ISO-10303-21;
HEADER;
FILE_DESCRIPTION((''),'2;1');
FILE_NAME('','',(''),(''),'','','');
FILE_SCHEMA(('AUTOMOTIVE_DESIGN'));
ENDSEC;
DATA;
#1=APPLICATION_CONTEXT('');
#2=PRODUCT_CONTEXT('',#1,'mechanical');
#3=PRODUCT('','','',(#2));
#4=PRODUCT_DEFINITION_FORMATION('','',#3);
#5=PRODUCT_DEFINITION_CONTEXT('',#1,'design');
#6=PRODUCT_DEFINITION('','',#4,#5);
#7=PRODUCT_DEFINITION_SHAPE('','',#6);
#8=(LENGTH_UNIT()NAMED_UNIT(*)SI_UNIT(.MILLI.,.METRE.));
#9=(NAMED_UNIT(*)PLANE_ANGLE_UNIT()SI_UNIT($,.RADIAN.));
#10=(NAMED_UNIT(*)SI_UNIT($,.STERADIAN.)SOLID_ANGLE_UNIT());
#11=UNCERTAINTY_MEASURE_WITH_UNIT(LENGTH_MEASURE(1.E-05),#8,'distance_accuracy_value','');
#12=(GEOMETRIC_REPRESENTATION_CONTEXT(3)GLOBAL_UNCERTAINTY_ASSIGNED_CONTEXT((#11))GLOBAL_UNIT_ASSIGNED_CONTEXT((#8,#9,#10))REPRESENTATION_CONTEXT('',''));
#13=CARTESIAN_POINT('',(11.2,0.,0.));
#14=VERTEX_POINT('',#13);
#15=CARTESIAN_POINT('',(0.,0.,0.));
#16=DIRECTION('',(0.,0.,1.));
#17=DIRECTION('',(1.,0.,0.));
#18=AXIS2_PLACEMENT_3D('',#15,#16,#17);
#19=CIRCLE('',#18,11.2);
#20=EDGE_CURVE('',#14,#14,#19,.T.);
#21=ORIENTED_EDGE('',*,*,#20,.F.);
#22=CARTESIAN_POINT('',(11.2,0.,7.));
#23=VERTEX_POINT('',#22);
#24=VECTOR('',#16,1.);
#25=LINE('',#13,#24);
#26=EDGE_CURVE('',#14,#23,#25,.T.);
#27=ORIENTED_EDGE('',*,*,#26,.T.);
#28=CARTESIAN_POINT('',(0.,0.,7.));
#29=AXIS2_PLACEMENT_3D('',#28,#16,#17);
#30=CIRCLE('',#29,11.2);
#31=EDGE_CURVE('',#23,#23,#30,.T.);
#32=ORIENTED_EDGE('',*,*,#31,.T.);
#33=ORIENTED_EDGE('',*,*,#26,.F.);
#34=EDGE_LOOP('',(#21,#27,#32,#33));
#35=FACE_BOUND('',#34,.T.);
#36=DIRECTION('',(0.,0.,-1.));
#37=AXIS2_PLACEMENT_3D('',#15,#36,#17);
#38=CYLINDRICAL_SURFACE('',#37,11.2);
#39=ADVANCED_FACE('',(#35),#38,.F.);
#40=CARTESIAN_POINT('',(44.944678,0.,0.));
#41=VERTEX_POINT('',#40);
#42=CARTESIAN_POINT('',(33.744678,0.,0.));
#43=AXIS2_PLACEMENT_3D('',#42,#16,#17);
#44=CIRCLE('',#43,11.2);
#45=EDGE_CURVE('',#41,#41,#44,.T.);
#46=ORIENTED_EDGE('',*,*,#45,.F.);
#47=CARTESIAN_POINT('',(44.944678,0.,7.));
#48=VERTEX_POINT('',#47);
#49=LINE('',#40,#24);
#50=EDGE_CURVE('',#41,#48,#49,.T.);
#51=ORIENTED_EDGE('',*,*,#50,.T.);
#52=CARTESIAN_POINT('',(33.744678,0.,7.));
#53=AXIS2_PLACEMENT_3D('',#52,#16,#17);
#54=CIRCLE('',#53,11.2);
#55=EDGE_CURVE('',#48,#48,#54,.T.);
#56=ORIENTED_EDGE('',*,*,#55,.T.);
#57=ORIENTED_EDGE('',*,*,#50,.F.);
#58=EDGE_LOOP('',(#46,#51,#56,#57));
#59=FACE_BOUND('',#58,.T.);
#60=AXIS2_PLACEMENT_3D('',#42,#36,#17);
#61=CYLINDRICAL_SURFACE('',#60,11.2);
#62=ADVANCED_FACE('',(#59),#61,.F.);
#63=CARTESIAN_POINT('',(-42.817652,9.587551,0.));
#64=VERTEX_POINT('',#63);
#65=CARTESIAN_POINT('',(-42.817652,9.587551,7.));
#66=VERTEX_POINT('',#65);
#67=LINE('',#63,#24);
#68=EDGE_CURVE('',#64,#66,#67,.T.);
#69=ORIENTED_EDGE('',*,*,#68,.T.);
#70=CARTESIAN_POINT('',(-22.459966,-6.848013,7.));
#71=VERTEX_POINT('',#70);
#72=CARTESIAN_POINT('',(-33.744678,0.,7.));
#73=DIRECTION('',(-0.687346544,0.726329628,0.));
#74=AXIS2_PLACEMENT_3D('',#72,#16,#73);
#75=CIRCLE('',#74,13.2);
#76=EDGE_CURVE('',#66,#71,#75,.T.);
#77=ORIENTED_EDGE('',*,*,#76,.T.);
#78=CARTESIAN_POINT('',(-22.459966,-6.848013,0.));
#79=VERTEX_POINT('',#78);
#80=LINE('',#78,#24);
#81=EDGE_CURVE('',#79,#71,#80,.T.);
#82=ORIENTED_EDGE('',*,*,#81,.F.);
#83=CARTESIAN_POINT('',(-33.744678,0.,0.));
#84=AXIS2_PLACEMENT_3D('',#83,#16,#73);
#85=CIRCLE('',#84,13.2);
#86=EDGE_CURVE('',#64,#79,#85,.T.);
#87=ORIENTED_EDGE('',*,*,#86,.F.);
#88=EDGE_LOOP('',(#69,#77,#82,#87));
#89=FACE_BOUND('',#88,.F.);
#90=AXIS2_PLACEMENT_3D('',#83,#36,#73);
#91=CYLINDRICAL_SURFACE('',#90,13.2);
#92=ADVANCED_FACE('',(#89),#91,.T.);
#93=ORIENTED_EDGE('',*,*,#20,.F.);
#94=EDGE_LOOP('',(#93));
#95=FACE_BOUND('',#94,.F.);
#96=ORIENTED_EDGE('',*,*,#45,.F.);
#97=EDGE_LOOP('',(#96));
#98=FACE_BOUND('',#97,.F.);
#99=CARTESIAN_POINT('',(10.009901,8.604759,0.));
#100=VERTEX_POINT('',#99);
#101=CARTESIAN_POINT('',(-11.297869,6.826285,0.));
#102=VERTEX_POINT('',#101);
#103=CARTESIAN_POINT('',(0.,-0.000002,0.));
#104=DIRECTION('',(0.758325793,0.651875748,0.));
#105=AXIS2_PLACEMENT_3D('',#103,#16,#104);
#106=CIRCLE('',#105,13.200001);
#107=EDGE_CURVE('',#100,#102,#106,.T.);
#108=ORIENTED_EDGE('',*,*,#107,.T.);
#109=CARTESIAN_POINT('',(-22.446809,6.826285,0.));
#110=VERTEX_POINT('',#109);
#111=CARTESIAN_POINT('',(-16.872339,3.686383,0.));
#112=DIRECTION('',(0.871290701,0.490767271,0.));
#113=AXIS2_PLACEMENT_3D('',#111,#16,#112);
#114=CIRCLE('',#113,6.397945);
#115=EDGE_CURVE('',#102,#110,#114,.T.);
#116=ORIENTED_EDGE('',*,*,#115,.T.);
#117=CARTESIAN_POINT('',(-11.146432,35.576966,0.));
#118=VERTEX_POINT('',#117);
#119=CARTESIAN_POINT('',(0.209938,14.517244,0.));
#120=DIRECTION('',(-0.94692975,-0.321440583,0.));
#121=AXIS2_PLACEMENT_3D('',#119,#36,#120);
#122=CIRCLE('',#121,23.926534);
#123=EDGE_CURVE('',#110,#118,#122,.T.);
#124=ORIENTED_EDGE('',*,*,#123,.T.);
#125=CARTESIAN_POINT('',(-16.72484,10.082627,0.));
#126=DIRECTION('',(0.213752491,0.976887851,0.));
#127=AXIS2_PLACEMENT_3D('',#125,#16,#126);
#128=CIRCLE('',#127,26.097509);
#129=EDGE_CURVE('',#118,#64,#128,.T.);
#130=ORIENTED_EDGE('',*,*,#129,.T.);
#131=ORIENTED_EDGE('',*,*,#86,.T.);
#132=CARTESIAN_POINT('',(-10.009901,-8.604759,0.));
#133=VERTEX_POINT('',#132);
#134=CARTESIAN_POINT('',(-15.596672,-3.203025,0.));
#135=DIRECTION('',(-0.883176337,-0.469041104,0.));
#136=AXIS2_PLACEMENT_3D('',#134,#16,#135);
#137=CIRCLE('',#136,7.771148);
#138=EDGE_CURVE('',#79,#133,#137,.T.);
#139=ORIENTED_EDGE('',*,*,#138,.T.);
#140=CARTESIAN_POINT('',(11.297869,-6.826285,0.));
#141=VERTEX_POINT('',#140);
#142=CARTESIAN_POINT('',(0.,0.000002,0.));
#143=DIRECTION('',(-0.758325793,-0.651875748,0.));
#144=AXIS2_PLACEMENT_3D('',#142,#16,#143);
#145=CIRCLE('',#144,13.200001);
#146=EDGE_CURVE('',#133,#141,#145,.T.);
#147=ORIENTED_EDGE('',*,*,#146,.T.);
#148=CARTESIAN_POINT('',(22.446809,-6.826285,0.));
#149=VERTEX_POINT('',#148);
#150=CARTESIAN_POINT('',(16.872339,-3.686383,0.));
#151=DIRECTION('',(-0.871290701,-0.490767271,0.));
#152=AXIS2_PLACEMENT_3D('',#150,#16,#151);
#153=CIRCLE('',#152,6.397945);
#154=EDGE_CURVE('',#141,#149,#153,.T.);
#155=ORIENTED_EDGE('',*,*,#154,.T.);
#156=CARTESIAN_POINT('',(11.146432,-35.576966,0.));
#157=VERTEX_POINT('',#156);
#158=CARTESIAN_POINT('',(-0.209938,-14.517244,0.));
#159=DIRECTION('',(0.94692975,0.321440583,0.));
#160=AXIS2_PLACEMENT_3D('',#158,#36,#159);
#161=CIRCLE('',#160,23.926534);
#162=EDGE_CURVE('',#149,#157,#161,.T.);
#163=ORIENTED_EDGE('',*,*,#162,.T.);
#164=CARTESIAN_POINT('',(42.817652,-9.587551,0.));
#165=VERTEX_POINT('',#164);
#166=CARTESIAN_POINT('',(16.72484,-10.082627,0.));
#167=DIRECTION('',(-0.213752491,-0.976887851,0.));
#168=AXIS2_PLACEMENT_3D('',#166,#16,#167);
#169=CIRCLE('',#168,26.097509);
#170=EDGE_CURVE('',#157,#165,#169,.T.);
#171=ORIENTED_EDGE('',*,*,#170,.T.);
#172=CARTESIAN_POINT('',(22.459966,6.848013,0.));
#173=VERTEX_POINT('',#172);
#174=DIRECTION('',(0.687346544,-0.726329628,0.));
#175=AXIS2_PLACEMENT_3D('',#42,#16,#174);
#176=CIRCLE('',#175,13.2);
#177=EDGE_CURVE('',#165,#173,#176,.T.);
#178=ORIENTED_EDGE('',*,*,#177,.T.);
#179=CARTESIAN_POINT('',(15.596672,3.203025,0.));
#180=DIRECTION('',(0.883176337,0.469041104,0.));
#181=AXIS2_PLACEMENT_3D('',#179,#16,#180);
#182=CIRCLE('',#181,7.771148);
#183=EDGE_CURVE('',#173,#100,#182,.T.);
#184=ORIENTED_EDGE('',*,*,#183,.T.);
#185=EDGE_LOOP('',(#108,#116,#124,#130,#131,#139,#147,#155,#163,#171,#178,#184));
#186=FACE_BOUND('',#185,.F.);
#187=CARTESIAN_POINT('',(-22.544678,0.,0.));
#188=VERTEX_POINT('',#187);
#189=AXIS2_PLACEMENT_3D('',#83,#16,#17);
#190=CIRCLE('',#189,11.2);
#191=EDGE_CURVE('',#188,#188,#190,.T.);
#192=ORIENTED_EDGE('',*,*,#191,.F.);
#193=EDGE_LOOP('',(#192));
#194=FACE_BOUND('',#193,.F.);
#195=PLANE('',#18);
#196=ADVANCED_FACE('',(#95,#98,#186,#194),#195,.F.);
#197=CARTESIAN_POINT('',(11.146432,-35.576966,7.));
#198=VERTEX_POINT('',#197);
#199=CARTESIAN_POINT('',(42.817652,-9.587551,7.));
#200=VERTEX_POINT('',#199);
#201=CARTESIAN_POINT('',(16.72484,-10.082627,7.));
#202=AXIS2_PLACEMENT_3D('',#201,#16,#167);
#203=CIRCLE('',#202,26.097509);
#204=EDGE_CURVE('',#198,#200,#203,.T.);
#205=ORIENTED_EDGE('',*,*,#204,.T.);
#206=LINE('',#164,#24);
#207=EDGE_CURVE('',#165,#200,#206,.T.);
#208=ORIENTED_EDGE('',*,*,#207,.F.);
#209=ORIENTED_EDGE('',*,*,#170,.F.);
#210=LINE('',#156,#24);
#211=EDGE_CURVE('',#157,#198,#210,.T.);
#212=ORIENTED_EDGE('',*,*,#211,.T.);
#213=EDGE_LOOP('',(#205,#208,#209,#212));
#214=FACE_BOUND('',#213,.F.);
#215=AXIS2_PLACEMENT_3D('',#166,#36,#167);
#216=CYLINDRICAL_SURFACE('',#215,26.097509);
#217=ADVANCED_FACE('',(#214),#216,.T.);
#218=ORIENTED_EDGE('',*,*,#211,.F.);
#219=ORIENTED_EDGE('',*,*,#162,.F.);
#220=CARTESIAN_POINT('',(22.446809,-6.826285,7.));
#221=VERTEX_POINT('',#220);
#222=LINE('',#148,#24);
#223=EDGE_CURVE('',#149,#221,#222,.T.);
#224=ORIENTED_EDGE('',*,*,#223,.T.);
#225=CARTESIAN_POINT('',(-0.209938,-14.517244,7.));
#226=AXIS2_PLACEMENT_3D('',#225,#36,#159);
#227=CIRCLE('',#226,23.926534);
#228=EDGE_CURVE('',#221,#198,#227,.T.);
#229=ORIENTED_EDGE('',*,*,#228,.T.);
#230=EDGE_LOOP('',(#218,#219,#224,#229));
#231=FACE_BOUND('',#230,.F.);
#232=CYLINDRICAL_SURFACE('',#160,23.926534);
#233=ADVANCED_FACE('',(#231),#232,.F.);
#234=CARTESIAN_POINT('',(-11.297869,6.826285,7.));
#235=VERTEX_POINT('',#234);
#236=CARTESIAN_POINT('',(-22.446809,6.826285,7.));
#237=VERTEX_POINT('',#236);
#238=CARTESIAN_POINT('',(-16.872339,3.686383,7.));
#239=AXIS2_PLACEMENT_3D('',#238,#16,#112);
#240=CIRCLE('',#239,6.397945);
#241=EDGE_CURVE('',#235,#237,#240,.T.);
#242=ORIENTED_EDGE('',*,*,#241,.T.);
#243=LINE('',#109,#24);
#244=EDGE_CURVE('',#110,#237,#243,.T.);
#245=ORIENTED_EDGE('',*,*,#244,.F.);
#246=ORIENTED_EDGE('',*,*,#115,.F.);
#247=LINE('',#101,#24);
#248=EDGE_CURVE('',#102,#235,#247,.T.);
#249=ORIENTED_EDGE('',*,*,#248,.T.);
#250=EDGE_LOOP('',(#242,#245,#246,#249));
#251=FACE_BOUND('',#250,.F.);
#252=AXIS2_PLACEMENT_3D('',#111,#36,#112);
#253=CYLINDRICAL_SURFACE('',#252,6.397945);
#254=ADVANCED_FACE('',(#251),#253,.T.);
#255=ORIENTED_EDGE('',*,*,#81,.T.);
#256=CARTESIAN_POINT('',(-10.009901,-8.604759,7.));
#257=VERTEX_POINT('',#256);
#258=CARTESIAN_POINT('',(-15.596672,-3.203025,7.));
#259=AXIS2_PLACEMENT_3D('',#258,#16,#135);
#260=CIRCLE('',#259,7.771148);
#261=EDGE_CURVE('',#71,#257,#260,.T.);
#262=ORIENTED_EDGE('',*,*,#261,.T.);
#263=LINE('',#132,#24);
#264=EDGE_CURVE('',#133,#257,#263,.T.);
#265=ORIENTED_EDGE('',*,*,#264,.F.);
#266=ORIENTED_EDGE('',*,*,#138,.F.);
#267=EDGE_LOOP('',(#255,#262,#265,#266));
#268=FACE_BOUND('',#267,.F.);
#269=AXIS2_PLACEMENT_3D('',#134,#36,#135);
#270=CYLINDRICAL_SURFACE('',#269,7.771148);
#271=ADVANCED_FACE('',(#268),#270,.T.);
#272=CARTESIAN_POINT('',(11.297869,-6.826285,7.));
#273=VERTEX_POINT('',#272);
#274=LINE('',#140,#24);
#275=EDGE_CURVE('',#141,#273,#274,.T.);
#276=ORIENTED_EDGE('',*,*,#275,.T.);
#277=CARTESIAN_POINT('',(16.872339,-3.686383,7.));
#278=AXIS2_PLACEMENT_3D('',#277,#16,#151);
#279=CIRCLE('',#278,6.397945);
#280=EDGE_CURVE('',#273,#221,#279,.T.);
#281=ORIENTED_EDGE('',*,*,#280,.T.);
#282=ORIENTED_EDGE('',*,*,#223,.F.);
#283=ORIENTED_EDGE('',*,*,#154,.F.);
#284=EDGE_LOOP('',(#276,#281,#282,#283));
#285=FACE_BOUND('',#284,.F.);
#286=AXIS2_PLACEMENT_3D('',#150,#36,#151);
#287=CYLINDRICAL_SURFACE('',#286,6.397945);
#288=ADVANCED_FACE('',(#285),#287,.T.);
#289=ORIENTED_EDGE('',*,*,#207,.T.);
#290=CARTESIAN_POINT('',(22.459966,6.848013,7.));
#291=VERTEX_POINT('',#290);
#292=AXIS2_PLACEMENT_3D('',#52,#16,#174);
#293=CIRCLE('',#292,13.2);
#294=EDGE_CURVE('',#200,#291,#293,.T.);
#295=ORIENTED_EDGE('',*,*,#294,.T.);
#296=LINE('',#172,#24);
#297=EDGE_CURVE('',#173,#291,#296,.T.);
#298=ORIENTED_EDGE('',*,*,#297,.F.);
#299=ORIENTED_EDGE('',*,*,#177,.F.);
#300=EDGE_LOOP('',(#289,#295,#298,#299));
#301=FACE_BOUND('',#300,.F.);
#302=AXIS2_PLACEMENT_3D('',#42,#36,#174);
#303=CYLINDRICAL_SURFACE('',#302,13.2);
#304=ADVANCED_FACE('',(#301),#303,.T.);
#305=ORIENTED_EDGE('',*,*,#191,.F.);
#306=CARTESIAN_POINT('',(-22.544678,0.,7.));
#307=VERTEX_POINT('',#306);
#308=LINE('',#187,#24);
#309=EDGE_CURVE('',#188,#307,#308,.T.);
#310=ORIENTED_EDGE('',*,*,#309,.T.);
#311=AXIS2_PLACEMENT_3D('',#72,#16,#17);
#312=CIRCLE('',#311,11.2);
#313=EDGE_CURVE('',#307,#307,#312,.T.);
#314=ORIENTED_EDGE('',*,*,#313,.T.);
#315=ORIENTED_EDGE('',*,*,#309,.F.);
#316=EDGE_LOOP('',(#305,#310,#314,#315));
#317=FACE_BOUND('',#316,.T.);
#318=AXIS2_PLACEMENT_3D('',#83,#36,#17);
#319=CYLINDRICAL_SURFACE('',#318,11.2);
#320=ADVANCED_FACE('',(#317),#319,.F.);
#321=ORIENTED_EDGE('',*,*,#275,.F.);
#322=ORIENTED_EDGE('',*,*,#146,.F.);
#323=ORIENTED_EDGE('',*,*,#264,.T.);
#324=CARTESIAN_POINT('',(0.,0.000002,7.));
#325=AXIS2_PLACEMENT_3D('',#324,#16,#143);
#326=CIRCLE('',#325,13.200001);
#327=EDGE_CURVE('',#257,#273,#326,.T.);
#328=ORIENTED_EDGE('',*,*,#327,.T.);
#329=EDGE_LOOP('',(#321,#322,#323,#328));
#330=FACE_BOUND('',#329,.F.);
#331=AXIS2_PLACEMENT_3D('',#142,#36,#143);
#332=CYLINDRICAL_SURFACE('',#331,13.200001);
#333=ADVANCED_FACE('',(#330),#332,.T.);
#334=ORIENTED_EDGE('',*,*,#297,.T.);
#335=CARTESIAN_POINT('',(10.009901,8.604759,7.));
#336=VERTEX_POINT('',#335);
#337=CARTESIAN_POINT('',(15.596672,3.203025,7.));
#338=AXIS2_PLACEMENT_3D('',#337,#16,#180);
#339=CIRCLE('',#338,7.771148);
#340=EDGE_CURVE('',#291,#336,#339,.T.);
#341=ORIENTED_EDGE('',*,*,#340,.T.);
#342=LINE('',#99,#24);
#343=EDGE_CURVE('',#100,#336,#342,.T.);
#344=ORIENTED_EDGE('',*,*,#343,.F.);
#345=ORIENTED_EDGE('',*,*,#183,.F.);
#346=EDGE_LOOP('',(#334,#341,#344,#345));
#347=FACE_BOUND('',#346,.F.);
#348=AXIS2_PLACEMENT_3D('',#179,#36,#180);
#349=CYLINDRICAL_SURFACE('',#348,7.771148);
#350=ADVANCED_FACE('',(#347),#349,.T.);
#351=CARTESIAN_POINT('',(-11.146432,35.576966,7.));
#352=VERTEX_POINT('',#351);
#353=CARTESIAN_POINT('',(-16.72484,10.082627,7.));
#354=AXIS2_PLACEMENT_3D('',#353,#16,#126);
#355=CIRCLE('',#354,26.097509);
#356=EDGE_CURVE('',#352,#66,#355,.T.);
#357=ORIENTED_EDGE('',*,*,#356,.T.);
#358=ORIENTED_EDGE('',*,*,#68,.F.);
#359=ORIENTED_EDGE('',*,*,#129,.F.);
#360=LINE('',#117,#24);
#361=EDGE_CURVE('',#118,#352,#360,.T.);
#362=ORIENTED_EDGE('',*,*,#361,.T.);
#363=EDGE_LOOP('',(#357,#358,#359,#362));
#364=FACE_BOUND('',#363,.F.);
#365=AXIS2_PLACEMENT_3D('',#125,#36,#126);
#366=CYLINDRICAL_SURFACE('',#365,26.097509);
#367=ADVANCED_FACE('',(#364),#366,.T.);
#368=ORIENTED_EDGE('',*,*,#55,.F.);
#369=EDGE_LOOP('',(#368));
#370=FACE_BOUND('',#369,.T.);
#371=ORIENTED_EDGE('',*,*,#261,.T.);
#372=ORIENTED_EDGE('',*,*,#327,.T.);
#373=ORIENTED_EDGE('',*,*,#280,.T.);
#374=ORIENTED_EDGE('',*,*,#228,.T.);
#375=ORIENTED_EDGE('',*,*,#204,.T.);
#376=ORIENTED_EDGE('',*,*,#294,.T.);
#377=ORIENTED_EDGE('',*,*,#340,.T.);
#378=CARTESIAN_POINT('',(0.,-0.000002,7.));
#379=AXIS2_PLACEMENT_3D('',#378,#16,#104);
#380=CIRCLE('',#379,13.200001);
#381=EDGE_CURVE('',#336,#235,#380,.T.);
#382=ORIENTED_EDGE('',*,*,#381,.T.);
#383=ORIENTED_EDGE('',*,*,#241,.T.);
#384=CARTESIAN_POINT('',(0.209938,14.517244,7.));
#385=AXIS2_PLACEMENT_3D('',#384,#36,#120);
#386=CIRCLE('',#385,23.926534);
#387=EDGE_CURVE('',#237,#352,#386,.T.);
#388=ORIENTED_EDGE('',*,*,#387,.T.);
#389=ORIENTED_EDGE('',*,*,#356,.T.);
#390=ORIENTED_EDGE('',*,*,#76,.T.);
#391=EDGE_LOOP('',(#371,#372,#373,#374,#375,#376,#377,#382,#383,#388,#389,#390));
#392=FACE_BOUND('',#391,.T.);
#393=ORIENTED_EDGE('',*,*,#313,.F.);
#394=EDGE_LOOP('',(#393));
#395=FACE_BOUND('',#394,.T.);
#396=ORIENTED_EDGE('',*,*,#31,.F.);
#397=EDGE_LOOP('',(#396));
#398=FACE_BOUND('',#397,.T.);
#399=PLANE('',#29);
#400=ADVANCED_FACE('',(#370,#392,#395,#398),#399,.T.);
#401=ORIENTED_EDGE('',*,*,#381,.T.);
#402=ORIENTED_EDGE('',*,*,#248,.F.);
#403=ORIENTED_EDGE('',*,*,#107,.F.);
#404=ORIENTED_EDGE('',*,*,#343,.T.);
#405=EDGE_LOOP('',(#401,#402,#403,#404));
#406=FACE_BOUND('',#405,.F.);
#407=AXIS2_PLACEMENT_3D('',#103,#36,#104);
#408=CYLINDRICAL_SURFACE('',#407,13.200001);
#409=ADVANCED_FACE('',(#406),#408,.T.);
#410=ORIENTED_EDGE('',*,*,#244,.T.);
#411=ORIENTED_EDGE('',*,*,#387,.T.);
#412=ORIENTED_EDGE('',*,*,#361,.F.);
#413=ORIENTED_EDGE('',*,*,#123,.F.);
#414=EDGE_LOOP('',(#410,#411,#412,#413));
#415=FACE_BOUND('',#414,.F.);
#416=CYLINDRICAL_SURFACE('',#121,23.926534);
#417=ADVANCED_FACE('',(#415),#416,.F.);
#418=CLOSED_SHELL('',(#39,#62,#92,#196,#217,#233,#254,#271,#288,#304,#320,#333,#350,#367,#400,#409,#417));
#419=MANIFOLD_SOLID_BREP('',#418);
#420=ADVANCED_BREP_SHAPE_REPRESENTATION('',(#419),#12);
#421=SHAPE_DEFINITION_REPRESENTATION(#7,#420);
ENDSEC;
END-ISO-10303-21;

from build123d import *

# Parameters (mm, degrees)
F0_R     = 11.2
F1_DEPTH = 7


with BuildPart() as f1:
    # F0 (on Top) → F1 (new body)
    with BuildSketch(Plane.XY):
        with BuildLine():
            ThreePointArc((-22.459966, -6.848013), (-16.682452, -10.897947), (-10.009901, -8.604759))
            ThreePointArc((-10.009901, -8.604759), (1.097933, -13.154259), (11.297869, -6.826285))
            ThreePointArc((11.297869, -6.826285), (16.872339, -10.084328), (22.446809, -6.826285))
            ThreePointArc((22.446809, -6.826285), (22.058278, -23.269706), (11.146432, -35.576966))
            ThreePointArc((11.146432, -35.576966), (33.279978, -30.25705), (42.817652, -9.587551))
            ThreePointArc((42.817652, -9.587551), (42.036535, 10.270594), (22.459966, 6.848013))
            ThreePointArc((22.459966, 6.848013), (16.682452, 10.897947), (10.009901, 8.604759))
            ThreePointArc((10.009901, 8.604759), (-1.097933, 13.154259), (-11.297869, 6.826285))
            ThreePointArc((-11.297869, 6.826285), (-16.872339, 10.084328), (-22.446809, 6.826285))
            ThreePointArc((-22.446809, 6.826285), (-22.058278, 23.269706), (-11.146432, 35.576966))
            ThreePointArc((-11.146432, 35.576966), (-33.279978, 30.25705), (-42.817652, 9.587551))
            ThreePointArc((-42.817652, 9.587551), (-42.036535, -10.270594), (-22.459966, -6.848013))
        make_face()
        with Locations((-33.744678, 0)):
            Circle(F0_R, mode=Mode.SUBTRACT)
        Circle(F0_R, mode=Mode.SUBTRACT)
        with Locations((33.744678, 0)):
            Circle(F0_R, mode=Mode.SUBTRACT)
    extrude(amount=F1_DEPTH)


solid = f1.part
